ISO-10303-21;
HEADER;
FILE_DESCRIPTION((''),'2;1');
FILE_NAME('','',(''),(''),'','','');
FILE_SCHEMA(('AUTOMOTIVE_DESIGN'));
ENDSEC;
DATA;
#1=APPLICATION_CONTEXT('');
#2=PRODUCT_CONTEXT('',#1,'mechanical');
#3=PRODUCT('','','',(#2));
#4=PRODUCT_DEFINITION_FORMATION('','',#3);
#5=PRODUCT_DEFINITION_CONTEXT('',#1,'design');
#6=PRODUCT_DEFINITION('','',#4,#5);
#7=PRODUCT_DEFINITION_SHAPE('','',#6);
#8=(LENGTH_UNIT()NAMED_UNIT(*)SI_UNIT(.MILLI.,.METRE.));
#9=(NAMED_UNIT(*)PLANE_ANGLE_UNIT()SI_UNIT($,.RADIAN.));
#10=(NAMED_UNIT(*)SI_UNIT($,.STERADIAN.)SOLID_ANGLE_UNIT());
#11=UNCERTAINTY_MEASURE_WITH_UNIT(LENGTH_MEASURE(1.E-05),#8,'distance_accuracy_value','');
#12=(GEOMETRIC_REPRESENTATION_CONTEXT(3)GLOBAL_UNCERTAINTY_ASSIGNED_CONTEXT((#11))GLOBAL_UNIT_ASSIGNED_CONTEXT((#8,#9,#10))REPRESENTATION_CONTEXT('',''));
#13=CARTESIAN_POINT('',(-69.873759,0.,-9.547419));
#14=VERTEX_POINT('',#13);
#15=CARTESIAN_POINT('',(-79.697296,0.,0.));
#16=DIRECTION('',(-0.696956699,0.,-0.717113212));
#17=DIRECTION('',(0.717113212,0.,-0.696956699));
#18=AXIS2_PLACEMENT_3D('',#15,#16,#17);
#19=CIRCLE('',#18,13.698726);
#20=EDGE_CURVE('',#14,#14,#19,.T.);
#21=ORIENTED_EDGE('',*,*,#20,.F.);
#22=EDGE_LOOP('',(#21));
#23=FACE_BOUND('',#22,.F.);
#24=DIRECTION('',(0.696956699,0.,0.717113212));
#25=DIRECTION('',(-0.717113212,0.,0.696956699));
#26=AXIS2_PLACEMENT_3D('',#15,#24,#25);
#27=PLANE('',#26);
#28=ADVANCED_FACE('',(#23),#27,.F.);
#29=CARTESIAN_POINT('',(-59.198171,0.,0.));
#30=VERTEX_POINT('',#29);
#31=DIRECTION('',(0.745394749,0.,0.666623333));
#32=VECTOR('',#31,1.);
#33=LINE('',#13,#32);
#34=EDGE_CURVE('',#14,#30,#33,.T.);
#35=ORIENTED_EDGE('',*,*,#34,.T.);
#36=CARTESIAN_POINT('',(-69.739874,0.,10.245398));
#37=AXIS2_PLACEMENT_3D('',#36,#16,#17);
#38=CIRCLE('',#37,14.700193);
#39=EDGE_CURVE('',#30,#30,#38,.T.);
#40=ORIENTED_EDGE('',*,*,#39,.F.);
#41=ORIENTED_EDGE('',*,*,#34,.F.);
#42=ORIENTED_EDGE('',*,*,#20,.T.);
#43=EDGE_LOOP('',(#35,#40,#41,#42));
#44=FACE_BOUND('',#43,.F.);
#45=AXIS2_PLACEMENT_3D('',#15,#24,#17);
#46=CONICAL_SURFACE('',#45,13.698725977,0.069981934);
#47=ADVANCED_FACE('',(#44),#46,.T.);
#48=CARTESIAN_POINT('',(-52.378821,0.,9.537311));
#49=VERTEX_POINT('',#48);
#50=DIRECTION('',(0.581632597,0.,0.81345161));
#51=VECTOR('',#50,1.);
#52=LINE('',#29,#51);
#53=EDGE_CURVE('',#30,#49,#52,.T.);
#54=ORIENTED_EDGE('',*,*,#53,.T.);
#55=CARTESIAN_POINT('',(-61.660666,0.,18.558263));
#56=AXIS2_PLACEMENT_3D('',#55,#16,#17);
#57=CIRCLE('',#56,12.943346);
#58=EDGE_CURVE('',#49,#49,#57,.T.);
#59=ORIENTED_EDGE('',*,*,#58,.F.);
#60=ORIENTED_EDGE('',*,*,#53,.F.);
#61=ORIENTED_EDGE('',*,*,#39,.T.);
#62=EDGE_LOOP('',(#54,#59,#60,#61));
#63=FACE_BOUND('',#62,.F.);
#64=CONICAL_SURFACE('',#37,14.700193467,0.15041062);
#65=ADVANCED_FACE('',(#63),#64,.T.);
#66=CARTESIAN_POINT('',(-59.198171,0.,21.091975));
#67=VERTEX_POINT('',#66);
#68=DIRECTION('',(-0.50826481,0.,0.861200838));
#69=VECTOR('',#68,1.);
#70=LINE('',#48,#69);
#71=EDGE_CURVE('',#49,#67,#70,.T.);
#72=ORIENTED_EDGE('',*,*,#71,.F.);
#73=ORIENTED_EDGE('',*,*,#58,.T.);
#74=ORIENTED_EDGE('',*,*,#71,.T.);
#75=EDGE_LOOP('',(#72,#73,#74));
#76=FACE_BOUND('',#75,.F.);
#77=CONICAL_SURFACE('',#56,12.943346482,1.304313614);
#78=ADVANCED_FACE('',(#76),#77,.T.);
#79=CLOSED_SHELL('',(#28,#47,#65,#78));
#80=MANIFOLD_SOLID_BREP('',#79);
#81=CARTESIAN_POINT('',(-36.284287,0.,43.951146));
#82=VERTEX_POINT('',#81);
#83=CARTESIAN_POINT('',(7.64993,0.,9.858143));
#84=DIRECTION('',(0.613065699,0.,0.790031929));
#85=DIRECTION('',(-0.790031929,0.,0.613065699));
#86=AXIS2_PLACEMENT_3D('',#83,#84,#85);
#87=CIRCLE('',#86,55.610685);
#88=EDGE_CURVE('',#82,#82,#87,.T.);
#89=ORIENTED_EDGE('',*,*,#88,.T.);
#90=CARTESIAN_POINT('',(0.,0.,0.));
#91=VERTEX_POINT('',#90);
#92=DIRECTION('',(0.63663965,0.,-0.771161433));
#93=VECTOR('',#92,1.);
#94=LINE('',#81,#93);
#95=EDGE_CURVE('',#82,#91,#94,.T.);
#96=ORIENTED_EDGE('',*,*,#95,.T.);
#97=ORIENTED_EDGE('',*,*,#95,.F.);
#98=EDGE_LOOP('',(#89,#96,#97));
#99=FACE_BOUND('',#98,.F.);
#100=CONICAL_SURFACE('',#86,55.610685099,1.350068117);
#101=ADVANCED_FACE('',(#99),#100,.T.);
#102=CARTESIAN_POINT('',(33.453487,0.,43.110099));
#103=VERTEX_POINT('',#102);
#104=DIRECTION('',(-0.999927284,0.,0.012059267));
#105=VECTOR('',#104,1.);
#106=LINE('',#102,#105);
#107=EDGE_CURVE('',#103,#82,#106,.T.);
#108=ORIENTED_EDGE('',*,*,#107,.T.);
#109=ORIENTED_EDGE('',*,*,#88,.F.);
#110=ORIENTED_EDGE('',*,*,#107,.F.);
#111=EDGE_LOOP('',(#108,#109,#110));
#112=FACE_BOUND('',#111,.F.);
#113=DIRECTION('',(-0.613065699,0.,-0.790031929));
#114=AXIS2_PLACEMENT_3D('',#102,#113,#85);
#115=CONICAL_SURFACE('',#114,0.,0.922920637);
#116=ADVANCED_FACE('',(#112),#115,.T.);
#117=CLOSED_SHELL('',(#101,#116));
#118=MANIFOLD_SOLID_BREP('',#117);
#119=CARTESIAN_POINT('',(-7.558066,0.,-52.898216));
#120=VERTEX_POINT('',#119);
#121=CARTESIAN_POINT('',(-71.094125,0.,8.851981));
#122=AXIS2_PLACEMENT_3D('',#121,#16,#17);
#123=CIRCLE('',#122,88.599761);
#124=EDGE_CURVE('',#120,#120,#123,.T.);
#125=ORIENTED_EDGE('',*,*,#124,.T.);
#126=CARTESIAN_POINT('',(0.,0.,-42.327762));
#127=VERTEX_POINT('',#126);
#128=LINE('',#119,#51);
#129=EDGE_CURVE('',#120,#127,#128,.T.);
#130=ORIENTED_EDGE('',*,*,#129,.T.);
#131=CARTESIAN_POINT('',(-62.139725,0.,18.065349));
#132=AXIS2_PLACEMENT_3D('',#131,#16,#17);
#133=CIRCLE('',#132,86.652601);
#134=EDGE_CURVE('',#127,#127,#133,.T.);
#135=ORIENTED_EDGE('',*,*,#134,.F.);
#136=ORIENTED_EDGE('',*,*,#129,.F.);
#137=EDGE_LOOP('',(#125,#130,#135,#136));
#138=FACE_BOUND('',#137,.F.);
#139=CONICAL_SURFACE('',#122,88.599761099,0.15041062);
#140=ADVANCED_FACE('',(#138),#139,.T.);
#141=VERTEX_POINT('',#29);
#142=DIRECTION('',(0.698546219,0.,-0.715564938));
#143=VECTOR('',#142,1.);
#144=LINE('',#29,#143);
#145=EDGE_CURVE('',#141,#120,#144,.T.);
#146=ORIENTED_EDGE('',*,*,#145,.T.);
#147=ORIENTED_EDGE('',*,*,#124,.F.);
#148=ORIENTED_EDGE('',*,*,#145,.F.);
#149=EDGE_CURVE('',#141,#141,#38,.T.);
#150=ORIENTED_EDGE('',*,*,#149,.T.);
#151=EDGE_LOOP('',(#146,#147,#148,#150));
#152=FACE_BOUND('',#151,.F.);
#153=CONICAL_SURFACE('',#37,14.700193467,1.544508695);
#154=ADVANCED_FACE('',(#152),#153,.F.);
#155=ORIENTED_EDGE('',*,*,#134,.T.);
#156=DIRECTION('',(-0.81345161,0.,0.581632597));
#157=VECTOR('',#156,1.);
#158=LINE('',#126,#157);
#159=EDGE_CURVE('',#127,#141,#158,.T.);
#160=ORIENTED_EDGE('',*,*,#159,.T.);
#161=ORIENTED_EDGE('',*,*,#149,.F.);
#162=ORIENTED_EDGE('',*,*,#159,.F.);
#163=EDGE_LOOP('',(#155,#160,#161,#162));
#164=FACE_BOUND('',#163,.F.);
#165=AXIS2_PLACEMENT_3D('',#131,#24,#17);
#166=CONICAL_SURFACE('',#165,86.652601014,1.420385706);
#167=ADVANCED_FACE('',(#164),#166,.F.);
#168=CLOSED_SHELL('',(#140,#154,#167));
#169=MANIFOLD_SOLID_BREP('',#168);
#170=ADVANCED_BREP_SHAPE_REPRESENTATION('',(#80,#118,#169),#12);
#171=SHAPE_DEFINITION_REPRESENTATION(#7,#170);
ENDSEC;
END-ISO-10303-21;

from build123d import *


with BuildPart() as f1:
    # F0 (on Front) → F1 (revolve)
    with BuildSketch(Plane.XZ):
        Polygon((33.4534868598, 43.1100986898), (-36.2842865288, 43.9511463046), (0, 0), align=None)
    revolve(axis=Axis((16.7267434299, 0, 21.5550493449), (0.6130656985, 0, 0.7900319293)))


with BuildPart() as f3:
    # F2 (on Front) → F3 (revolve)
    with BuildSketch(Plane.XZ):
        Polygon((-7.5580657161, -52.8982158507), (0, -42.3277616501), (-59.1981709003, 0), align=None)
    revolve(axis=Axis((-69.4477334619, 0, 10.5459876359), (-0.6969566993, 0, -0.7171132123)))


with BuildPart() as f3b:
    # F2 (on Front) → F3, piece 2 (revolve)
    with BuildSketch(Plane.XZ):
        Polygon((-69.8737586331, -9.5474188415), (-59.1981709003, 0), (-52.3788214959, 9.5373106382), (-59.1981709003, 21.0919752717), (-79.6972960234, 0), align=None)
    revolve(axis=Axis((-69.4477334619, 0, 10.5459876359), (-0.6969566993, 0, -0.7171132123)))


solid = Compound([f1.part, f3.part, f3b.part])
